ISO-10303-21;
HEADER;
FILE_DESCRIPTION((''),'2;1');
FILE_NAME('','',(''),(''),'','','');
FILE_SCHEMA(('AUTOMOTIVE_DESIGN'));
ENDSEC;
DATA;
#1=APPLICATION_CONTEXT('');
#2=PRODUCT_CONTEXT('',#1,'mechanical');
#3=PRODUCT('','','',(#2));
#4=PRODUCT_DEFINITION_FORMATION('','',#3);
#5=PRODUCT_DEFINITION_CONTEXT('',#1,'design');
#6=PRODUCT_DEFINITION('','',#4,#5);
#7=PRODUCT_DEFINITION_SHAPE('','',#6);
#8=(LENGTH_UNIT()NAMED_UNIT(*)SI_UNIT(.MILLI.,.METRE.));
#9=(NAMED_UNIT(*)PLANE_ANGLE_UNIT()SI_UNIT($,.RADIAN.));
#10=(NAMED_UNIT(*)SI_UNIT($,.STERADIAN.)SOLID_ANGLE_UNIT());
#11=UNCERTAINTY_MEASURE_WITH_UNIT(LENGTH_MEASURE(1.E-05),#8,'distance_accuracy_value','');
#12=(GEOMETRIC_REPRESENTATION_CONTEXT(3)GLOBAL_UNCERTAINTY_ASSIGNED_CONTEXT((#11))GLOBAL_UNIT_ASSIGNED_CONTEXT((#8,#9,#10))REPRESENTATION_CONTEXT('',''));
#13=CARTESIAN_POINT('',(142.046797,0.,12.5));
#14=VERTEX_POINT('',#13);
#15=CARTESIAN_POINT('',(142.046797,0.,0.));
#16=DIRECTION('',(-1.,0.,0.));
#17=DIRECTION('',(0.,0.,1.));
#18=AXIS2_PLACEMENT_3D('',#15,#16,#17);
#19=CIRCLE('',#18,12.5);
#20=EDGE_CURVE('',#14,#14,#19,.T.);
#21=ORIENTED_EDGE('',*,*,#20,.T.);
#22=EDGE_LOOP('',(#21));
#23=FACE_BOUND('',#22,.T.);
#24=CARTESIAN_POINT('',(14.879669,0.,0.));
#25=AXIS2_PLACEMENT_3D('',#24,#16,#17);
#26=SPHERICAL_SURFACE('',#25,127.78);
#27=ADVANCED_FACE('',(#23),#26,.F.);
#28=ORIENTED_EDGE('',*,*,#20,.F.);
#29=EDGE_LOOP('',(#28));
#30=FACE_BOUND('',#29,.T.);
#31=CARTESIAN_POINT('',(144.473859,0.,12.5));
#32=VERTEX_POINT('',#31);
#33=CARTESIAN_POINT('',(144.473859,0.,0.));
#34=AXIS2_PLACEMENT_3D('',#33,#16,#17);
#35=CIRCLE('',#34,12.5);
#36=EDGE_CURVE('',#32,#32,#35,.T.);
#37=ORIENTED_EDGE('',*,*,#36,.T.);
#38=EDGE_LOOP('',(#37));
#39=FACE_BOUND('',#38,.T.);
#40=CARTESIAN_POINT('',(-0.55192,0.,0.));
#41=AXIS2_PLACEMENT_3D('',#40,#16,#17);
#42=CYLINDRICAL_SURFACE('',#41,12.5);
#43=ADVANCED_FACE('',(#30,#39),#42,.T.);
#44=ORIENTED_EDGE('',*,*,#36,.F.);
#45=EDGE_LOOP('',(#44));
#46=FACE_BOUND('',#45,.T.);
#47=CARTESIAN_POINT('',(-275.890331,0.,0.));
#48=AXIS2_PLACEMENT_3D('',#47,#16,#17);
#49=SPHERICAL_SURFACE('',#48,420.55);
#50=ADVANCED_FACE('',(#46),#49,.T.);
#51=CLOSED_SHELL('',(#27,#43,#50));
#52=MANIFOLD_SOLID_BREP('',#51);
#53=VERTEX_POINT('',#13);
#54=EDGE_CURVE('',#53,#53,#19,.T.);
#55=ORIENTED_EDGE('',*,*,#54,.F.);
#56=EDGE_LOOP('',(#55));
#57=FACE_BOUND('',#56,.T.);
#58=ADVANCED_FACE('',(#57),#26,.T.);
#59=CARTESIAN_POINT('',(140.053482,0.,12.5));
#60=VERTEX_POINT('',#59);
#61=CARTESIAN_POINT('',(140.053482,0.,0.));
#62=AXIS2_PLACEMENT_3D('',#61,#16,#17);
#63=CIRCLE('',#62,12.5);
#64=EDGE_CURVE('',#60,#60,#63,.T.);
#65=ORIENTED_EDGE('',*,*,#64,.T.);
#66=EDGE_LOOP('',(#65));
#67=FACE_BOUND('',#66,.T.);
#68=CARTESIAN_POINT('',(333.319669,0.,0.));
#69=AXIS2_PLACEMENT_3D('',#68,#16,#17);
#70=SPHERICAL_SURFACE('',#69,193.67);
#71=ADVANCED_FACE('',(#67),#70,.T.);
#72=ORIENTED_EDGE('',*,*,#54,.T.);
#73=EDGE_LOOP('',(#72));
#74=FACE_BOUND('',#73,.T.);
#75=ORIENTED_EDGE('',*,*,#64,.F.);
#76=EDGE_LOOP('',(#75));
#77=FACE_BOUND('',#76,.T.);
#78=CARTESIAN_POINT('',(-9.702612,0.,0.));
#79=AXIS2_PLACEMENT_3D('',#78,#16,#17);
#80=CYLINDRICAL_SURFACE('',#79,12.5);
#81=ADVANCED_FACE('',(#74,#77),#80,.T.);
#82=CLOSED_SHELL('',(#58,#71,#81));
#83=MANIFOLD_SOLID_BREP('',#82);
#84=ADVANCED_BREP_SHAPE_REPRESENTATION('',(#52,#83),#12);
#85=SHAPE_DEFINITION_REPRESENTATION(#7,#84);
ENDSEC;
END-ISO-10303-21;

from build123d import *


with BuildPart() as part:
    # 草图1 one side → 旋转1 (revolve)
    with BuildSketch(Plane(origin=(0, 0, 0), x_dir=(1, 0, 0), z_dir=(0, 1, 0)), mode=Mode.PRIVATE) as revolve_1_sk:
        with BuildLine():
            ThreePointArc((140.053482329, 12.5), (139.750648638, 6.253260454), (139.649668974, 0))
            Line((139.649668974, 0), (142.659668974, 0))
            ThreePointArc((142.659668974, 0), (142.50635896, 6.257507737), (142.046796801, 12.5))
            Line((142.046796801, 12.5), (140.053482329, 12.5))
        make_face()
    revolve(revolve_1_sk.sketch.rotate(Axis((-9.702612178, 0, 0), (1, 0, 0)), 180), axis=Axis((-9.702612178, 0, 0), (1, 0, 0)))  # turned: the seam where the file's is


with BuildPart() as body_2:
    # 草图2 one side → 旋转3 (revolve)
    with BuildSketch(Plane(origin=(0, 0, 0), x_dir=(1, 0, 0), z_dir=(0, 1, 0)), mode=Mode.PRIVATE) as revolve_3_sk:
        with BuildLine():
            Line((144.47385929, 12.5), (142.046796801, 12.5))
            ThreePointArc((142.046796801, 12.5), (142.50635896, 6.257507737), (142.659668974, 0))
            Line((142.659668974, 0), (144.659668974, 0))
            ThreePointArc((144.659668974, 0), (144.613213987, 6.250690467), (144.47385929, 12.5))
        make_face()
    revolve(revolve_3_sk.sketch.rotate(Axis((-0.551919993, 0, 0), (1, 0, 0)), 180), axis=Axis((-0.551919993, 0, 0), (1, 0, 0)))  # turned: the seam where the file's is


solid = Compound([part.part, body_2.part])
